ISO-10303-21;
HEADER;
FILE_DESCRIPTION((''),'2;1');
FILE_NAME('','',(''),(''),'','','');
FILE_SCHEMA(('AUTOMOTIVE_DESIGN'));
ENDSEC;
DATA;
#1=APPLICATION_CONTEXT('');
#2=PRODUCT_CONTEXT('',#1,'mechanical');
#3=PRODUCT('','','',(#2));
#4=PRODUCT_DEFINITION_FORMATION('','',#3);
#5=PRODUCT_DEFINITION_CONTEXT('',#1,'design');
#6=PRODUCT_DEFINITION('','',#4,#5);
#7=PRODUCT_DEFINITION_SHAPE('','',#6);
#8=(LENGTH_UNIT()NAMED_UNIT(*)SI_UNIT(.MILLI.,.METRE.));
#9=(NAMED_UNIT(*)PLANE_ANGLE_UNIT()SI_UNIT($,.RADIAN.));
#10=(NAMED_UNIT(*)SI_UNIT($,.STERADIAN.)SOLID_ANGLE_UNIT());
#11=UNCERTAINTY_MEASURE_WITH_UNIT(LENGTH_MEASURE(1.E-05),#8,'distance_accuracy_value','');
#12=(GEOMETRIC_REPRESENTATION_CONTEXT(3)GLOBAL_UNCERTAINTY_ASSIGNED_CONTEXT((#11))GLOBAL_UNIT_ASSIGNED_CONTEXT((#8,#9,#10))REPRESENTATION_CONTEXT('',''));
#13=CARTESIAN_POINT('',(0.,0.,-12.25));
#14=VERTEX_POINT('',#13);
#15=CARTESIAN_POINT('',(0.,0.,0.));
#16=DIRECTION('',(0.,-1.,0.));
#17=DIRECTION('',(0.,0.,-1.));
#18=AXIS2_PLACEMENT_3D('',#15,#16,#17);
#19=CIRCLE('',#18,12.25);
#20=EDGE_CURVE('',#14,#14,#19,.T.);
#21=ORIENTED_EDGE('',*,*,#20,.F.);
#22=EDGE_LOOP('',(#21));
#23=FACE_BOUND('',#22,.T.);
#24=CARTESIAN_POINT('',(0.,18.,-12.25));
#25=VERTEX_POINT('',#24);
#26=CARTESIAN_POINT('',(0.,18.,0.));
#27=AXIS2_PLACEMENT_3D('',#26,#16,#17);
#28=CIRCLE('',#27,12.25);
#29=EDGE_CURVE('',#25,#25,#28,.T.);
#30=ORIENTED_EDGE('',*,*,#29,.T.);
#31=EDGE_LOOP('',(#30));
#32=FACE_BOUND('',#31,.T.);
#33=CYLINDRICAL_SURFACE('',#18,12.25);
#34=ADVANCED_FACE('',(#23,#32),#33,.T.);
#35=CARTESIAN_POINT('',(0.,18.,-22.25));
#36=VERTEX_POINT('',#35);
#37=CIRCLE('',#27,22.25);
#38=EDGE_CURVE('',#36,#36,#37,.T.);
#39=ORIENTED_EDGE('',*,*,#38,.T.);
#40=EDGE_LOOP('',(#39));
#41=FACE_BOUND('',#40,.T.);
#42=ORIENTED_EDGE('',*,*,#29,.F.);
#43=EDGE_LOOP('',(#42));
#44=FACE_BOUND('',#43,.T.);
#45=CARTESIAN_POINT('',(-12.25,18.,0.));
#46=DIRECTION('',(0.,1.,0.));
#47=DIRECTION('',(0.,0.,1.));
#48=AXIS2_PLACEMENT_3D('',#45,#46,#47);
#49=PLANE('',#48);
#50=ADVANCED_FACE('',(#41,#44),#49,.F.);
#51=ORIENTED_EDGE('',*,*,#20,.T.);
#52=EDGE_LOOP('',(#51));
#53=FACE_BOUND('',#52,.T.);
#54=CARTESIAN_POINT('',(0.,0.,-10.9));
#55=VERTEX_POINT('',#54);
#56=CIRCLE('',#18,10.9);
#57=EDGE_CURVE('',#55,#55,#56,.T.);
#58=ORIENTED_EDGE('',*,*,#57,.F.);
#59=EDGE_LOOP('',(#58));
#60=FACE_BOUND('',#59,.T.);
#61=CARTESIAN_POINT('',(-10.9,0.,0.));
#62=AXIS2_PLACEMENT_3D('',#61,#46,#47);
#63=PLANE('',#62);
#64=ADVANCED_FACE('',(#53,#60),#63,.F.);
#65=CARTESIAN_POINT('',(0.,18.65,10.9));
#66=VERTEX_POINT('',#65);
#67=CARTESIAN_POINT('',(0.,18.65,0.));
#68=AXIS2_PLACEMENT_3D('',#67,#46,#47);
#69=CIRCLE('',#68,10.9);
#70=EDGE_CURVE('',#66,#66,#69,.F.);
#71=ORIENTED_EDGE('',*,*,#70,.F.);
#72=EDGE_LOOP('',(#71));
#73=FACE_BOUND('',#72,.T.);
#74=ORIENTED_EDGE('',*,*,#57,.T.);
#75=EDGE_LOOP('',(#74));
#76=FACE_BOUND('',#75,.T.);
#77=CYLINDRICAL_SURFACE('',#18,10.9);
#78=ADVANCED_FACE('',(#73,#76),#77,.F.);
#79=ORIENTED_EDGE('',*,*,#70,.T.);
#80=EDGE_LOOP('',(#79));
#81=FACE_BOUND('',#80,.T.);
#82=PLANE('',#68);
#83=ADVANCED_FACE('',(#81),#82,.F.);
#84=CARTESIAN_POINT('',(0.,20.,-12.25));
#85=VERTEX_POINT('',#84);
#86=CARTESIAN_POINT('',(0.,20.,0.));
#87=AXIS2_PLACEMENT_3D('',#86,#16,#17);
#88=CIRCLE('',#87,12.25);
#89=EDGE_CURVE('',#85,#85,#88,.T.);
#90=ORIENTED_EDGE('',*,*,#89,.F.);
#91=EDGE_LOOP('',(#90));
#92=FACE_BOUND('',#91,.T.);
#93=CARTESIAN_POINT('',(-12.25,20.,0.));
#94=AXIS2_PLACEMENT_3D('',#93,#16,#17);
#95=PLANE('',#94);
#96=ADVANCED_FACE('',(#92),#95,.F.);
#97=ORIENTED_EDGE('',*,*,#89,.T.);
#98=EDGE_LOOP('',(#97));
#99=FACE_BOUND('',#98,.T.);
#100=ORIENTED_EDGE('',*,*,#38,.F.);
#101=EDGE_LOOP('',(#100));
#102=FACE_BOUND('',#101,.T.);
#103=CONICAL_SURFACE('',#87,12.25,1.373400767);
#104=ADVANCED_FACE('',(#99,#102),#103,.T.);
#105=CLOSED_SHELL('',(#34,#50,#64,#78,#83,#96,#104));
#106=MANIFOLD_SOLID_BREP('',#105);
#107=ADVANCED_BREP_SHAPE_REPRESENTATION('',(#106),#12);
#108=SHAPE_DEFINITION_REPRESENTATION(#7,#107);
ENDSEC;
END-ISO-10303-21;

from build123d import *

# Parameters (mm, degrees)
CROQUIS4_R              = 10.9
SALIENTE_EXTRUIR3_DEPTH = 1.35


with BuildPart() as part:
    # Croquis1 → Revolución1 (revolve)
    with BuildSketch(Plane.XY):
        Polygon((-10.9, 20), (-10.9, 0), (-12.25, 0), (-12.25, 18), (-22.25, 18), (-12.25, 20), align=None)
    revolve(axis=Axis((0, 0, 0), (0, 1, 0)))

    # Croquis4 → Saliente-Extruir3 (add)
    with BuildSketch(Plane(origin=(0, 20, 0), x_dir=(1, 0, 0), z_dir=(0, 1, 0))):
        Circle(CROQUIS4_R)
    extrude(amount=-SALIENTE_EXTRUIR3_DEPTH)


solid = part.part
